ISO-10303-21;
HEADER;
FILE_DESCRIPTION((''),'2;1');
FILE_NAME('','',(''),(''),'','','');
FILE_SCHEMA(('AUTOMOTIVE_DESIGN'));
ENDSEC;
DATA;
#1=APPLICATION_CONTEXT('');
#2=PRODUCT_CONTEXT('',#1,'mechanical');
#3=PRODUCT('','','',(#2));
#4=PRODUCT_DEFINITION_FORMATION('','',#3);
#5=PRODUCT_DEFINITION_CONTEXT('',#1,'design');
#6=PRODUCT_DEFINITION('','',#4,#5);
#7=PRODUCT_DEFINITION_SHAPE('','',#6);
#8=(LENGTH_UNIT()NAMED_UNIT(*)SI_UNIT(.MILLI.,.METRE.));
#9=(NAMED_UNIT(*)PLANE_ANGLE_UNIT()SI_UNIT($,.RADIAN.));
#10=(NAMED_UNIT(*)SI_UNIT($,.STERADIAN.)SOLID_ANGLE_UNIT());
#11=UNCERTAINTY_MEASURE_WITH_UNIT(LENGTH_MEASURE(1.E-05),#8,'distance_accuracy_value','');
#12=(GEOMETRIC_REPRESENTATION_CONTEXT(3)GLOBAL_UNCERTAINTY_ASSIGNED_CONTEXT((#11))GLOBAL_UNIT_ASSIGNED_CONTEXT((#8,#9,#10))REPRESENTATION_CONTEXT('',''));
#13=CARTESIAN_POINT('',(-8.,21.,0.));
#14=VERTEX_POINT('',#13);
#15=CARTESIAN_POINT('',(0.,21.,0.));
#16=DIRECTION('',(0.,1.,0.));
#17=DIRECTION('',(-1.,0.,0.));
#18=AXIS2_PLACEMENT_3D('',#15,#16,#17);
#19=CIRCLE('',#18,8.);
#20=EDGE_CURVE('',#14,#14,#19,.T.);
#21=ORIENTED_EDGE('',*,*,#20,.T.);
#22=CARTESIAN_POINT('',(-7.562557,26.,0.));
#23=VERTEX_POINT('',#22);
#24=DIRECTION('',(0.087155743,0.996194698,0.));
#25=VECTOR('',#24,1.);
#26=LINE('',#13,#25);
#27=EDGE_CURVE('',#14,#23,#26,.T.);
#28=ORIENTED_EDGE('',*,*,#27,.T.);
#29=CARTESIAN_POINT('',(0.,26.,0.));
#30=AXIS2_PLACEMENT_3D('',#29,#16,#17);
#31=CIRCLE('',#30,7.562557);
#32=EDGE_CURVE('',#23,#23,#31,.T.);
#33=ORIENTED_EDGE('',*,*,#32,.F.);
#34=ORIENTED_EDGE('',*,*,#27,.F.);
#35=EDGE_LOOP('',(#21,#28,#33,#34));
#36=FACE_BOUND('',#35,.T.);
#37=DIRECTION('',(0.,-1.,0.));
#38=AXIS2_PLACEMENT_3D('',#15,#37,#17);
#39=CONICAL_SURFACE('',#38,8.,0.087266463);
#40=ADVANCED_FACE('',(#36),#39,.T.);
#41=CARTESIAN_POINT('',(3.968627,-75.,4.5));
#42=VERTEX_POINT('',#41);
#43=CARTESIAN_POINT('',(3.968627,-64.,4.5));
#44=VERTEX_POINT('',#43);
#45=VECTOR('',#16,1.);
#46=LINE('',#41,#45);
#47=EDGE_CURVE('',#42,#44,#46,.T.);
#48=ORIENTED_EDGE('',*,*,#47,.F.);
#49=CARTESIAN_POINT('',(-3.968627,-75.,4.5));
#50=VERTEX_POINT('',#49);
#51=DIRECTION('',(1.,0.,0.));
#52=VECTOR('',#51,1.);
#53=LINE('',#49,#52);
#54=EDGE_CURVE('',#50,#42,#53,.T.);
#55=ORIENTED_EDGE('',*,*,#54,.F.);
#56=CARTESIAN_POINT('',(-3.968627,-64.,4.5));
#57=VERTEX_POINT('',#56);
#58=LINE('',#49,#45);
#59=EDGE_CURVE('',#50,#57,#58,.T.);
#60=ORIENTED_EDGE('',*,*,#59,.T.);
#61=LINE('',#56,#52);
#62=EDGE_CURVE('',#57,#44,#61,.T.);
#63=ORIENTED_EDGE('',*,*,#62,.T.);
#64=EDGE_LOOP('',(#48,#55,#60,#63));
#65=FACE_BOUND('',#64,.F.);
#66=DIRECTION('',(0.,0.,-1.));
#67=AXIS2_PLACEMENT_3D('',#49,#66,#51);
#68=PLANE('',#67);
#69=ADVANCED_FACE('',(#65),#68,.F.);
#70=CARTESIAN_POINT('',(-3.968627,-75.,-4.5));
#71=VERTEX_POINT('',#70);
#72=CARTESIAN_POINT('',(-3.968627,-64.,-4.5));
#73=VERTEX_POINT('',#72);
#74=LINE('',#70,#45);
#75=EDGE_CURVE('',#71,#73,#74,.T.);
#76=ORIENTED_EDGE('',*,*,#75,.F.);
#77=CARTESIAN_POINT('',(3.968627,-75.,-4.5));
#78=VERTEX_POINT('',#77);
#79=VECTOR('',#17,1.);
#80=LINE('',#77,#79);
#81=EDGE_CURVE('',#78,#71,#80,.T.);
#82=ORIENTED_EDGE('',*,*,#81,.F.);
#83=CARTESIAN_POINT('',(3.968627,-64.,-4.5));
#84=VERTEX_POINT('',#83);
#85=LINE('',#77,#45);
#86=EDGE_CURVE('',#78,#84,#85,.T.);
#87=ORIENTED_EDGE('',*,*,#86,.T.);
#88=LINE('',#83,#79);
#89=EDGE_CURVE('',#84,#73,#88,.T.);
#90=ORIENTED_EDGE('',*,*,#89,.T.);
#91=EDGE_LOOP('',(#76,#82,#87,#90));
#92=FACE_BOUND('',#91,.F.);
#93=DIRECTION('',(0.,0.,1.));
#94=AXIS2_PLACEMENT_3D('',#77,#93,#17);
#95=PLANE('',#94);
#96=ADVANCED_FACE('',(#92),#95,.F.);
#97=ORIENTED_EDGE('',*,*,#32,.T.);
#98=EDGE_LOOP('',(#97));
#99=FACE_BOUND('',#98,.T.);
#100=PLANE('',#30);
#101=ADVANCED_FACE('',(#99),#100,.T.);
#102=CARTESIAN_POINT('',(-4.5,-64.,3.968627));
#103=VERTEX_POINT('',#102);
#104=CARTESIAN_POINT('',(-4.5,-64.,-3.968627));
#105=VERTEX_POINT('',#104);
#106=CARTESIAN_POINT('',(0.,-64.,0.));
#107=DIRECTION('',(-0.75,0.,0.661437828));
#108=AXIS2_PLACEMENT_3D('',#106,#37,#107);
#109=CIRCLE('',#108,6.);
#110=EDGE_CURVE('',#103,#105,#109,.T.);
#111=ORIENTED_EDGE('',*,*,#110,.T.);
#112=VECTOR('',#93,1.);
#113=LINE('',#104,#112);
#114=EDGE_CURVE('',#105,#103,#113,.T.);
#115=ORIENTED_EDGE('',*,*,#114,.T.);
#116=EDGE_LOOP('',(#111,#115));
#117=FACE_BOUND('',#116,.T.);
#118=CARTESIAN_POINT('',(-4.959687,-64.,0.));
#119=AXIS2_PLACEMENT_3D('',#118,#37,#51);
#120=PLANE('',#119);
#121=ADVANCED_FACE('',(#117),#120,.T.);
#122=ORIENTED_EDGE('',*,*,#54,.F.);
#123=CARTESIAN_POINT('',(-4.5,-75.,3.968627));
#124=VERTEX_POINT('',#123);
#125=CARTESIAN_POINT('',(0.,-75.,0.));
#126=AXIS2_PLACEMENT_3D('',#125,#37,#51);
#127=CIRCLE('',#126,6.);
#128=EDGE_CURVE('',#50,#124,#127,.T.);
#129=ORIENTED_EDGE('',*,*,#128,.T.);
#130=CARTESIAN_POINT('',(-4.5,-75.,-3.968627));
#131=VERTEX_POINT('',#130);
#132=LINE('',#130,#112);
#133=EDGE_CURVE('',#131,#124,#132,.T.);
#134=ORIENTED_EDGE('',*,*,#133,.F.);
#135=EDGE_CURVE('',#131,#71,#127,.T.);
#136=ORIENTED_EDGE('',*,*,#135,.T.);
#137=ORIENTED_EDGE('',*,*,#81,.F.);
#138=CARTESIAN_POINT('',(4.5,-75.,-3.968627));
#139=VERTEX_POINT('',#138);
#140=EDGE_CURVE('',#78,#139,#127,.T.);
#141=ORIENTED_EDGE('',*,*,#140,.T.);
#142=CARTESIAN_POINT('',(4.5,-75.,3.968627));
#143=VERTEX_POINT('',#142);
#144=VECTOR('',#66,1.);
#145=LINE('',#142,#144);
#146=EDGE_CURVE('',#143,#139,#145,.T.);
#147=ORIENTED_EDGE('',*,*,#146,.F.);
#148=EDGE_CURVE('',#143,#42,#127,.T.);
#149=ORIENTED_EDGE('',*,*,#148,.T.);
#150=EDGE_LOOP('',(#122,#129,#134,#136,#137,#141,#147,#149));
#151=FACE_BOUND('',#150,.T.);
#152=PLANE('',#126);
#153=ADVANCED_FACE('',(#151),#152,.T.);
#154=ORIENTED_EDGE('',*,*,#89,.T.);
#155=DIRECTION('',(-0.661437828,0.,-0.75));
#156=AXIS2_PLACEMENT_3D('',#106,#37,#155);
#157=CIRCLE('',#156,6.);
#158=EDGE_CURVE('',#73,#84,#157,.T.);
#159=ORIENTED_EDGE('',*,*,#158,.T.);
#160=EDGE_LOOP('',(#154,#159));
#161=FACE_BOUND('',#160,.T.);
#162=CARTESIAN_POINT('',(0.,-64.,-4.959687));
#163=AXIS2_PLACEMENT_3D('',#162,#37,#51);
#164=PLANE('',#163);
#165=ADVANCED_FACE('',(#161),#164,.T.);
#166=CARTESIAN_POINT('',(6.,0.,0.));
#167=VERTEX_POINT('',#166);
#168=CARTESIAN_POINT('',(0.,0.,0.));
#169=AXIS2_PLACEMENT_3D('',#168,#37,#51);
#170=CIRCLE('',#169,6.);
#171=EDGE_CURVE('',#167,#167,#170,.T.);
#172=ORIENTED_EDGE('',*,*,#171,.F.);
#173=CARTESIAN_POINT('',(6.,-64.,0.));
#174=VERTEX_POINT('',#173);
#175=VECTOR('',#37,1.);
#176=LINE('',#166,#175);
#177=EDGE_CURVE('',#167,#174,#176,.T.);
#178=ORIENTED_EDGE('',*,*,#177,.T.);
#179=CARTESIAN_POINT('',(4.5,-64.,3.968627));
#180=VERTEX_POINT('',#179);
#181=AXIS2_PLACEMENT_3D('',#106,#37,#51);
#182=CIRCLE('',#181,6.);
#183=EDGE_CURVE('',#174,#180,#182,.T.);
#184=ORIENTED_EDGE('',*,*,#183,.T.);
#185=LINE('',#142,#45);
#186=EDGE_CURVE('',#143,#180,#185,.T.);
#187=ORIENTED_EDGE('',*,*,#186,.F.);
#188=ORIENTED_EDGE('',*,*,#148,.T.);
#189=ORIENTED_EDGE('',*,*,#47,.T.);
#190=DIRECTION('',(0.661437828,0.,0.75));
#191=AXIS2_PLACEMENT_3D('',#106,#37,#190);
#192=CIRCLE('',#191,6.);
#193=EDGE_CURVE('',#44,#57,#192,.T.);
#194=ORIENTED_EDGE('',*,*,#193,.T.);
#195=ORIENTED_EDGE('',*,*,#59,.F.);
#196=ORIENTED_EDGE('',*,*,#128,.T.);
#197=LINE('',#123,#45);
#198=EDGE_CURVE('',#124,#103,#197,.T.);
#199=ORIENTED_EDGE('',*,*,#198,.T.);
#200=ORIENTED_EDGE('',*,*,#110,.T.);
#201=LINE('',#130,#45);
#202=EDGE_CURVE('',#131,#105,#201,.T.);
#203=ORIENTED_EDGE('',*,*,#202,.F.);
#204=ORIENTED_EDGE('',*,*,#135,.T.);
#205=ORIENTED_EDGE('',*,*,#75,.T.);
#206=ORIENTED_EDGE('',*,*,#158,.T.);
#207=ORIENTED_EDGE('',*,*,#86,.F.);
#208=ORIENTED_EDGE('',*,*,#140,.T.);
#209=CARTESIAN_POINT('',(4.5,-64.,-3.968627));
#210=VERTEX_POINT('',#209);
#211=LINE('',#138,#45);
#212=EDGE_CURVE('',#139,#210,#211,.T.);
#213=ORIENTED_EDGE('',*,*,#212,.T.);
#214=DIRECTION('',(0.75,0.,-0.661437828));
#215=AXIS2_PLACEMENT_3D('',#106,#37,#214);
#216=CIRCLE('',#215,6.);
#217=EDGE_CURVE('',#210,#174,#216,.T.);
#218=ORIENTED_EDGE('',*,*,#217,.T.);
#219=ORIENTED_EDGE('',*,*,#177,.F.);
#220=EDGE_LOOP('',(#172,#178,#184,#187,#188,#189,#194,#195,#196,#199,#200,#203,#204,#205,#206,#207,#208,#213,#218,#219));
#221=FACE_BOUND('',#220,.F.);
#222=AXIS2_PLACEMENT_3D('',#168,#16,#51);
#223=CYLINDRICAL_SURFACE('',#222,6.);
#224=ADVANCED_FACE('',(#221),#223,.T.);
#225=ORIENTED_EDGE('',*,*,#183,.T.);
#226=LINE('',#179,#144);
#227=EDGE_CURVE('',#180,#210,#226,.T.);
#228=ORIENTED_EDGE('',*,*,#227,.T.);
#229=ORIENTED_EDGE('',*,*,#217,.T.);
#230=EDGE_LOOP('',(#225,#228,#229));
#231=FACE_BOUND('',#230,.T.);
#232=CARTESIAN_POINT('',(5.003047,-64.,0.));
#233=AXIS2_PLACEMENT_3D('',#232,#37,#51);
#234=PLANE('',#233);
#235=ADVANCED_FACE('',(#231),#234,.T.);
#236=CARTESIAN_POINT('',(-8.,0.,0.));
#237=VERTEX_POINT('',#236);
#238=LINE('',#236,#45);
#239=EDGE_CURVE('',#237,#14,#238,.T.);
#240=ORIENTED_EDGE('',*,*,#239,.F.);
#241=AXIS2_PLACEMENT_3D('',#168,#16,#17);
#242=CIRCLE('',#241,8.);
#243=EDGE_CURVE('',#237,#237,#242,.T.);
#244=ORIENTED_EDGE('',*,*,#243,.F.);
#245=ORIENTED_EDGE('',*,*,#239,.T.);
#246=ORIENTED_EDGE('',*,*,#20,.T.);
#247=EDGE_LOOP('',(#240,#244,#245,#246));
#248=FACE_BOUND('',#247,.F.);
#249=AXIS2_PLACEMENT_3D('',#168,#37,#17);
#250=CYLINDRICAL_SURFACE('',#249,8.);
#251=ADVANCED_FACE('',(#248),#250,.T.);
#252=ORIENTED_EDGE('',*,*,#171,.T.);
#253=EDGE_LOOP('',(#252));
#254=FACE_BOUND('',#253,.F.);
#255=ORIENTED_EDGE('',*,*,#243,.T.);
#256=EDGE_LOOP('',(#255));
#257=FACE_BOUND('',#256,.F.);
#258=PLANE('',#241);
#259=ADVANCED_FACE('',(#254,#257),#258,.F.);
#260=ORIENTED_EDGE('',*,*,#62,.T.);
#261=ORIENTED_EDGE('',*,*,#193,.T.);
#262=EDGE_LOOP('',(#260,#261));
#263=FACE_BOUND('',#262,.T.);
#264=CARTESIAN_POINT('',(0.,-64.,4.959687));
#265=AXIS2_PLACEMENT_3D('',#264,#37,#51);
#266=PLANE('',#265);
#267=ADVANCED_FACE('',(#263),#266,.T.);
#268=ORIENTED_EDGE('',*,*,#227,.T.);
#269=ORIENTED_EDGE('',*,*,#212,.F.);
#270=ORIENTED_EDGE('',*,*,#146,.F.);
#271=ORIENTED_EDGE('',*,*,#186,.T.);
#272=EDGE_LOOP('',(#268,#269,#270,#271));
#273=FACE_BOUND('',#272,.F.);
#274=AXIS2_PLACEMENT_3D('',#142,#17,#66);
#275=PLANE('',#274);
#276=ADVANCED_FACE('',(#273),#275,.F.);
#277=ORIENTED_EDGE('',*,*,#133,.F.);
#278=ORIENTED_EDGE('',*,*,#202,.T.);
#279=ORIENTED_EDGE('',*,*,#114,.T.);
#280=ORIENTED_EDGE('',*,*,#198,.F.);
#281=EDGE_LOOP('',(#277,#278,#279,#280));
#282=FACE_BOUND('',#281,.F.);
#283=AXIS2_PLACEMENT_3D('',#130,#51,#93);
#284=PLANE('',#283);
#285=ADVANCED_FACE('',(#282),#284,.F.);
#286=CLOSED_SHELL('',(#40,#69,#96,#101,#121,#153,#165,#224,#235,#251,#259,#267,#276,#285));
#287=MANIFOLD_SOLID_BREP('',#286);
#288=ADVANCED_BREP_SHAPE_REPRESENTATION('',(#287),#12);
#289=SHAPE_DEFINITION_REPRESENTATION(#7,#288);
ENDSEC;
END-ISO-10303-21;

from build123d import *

# Parameters (mm, degrees)
F0_R     = 6
F1_DEPTH = 75
F3_DEPTH = 11
F4_R     = 8
F5_DEPTH = 26
F6_SIZE2 = 0.4374433176
F6_SIZE  = 5


with BuildPart() as f1:
    # F0 (on Front) → F1 (new body)
    with BuildSketch(Plane.XZ):
        Circle(F0_R)
    extrude(amount=F1_DEPTH)

    # F2 (on face) → F3 (cut)
    with BuildSketch(Plane.XZ.offset(75)):
        with BuildLine():
            Line((4.5, 3.9686269666), (4.5, -3.9686269666))
            ThreePointArc((4.5, -3.9686269666), (5.6124860802, -2.1213203436), (6, 0))
            ThreePointArc((6, 0), (5.6124860802, 2.1213203436), (4.5, 3.9686269666))
        make_face()
        with BuildLine():
            ThreePointArc((3.9686269666, 4.5), (0, 6), (-3.9686269666, 4.5))
            Line((-3.9686269666, 4.5), (3.9686269666, 4.5))
        make_face()
        with BuildLine():
            Line((3.9686269666, -4.5), (-3.9686269666, -4.5))
            ThreePointArc((-3.9686269666, -4.5), (0, -6), (3.9686269666, -4.5))
        make_face()
        with BuildLine():
            ThreePointArc((-4.5, 3.9686269666), (-6, 0), (-4.5, -3.9686269666))
            Line((-4.5, -3.9686269666), (-4.5, 3.9686269666))
        make_face()
    extrude(amount=-F3_DEPTH, mode=Mode.SUBTRACT)

    # F4 (on face) → F5 (join)
    with BuildSketch(Plane(origin=(0, 0, 0), x_dir=(-1, 0, 0), z_dir=(0, 1, 0))):
        Circle(F4_R)
    extrude(amount=F5_DEPTH)

    # F6
    f6_edges = [f1.edges().sort_by_distance(p)[0] for p in [
        (8, 26, 0),
    ]]
    f6_side = f1.faces().sort_by_distance((8, 13, 0))[0]
    chamfer(f6_edges, length=F6_SIZE, length2=F6_SIZE2, reference=f6_side)


solid = f1.part
